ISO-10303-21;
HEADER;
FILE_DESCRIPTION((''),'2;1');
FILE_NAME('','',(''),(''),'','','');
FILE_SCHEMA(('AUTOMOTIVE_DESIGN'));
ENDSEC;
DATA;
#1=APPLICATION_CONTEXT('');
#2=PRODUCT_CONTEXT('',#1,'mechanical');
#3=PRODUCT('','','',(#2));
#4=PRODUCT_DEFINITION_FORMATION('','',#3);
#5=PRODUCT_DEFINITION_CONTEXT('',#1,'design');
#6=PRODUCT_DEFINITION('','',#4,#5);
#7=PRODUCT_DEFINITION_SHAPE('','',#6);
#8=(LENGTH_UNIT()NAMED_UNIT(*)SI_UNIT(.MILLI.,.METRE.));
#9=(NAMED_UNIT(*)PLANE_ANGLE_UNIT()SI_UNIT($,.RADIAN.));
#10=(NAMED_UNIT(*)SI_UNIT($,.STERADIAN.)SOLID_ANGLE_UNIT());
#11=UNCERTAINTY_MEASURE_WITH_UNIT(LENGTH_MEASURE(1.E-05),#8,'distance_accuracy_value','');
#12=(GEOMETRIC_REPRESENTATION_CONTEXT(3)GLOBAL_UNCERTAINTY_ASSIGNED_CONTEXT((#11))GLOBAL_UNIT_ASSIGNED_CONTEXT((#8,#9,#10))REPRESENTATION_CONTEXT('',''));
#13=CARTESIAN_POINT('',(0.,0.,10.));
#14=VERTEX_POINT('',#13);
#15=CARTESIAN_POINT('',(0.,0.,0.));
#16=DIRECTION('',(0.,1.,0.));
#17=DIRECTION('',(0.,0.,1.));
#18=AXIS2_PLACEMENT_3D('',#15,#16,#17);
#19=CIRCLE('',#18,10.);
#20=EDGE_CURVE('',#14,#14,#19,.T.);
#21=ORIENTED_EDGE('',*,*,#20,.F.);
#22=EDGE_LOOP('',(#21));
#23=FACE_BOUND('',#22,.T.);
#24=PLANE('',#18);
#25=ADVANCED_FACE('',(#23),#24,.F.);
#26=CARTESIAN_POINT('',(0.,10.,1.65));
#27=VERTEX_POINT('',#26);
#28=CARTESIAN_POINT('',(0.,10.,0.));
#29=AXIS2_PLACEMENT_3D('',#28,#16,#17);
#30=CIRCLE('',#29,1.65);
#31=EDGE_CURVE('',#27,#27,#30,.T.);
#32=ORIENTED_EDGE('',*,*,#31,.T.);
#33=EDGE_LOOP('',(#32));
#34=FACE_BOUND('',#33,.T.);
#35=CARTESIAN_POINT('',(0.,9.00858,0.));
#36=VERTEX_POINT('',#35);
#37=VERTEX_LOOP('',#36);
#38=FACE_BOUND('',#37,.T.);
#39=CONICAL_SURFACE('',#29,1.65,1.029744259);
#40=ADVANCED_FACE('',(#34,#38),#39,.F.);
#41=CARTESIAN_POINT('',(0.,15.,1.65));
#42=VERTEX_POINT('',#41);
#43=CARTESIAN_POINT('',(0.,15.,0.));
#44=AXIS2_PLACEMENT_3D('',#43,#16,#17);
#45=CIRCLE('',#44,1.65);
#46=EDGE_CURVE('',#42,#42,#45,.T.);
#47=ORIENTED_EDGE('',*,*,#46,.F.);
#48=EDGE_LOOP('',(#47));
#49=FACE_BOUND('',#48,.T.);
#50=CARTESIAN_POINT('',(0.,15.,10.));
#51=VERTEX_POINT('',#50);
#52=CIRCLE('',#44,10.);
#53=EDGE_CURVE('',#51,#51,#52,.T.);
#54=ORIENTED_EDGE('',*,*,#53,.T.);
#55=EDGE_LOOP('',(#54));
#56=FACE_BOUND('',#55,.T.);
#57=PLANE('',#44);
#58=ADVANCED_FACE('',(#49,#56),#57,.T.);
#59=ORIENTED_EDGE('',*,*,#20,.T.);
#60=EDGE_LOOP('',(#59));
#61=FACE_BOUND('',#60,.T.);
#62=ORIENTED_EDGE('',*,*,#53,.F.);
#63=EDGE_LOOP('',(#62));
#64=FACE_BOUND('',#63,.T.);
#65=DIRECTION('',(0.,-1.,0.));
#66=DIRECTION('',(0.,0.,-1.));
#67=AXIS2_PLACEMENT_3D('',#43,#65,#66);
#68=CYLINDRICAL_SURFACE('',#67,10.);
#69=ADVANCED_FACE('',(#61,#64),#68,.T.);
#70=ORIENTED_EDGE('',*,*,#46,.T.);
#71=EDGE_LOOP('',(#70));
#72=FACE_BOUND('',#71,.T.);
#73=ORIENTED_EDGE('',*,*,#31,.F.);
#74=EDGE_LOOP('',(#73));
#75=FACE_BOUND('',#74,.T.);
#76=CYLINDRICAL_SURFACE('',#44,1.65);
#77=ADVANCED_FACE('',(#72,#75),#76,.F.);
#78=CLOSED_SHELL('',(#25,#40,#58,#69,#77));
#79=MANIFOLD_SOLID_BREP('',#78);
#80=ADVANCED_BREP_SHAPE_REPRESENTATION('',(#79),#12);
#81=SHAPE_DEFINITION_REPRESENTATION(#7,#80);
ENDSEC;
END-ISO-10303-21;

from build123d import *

# Parameters (mm, degrees)
SZKIC1_R                    = 10
DODANIE_WYCI_GNI_CIE1_DEPTH = 15
OTW_R_GWINTOWANY_M41_D      = 3.3
OTW_R_GWINTOWANY_M41_DEPTH  = 5
OTW_R_GWINTOWANY_M41_TIP    = 0.991420021


with BuildPart() as part:
    # Szkic1 → Dodanie-wyciągnięcie1 (new body)
    with BuildSketch(Plane(origin=(0, 0, 0), x_dir=(1, 0, 0), z_dir=(0, 1, 0))):
        with Locations(Location((0, 0, 0), (0, 0, 270))):
            Circle(SZKIC1_R)
    extrude(amount=DODANIE_WYCI_GNI_CIE1_DEPTH)

    # Otwór gwintowany M41
    with Locations(Plane(origin=(0, 15, 0), x_dir=(1, 0, 0), z_dir=(0, 1, 0))):
        with Locations((0, 0)):
            Hole(OTW_R_GWINTOWANY_M41_D / 2, depth=OTW_R_GWINTOWANY_M41_DEPTH)
            with Locations((0, 0, -(OTW_R_GWINTOWANY_M41_DEPTH + OTW_R_GWINTOWANY_M41_TIP / 2))):  # 118° drill point
                Cone(0, OTW_R_GWINTOWANY_M41_D / 2, OTW_R_GWINTOWANY_M41_TIP, mode=Mode.SUBTRACT)


solid = part.part
